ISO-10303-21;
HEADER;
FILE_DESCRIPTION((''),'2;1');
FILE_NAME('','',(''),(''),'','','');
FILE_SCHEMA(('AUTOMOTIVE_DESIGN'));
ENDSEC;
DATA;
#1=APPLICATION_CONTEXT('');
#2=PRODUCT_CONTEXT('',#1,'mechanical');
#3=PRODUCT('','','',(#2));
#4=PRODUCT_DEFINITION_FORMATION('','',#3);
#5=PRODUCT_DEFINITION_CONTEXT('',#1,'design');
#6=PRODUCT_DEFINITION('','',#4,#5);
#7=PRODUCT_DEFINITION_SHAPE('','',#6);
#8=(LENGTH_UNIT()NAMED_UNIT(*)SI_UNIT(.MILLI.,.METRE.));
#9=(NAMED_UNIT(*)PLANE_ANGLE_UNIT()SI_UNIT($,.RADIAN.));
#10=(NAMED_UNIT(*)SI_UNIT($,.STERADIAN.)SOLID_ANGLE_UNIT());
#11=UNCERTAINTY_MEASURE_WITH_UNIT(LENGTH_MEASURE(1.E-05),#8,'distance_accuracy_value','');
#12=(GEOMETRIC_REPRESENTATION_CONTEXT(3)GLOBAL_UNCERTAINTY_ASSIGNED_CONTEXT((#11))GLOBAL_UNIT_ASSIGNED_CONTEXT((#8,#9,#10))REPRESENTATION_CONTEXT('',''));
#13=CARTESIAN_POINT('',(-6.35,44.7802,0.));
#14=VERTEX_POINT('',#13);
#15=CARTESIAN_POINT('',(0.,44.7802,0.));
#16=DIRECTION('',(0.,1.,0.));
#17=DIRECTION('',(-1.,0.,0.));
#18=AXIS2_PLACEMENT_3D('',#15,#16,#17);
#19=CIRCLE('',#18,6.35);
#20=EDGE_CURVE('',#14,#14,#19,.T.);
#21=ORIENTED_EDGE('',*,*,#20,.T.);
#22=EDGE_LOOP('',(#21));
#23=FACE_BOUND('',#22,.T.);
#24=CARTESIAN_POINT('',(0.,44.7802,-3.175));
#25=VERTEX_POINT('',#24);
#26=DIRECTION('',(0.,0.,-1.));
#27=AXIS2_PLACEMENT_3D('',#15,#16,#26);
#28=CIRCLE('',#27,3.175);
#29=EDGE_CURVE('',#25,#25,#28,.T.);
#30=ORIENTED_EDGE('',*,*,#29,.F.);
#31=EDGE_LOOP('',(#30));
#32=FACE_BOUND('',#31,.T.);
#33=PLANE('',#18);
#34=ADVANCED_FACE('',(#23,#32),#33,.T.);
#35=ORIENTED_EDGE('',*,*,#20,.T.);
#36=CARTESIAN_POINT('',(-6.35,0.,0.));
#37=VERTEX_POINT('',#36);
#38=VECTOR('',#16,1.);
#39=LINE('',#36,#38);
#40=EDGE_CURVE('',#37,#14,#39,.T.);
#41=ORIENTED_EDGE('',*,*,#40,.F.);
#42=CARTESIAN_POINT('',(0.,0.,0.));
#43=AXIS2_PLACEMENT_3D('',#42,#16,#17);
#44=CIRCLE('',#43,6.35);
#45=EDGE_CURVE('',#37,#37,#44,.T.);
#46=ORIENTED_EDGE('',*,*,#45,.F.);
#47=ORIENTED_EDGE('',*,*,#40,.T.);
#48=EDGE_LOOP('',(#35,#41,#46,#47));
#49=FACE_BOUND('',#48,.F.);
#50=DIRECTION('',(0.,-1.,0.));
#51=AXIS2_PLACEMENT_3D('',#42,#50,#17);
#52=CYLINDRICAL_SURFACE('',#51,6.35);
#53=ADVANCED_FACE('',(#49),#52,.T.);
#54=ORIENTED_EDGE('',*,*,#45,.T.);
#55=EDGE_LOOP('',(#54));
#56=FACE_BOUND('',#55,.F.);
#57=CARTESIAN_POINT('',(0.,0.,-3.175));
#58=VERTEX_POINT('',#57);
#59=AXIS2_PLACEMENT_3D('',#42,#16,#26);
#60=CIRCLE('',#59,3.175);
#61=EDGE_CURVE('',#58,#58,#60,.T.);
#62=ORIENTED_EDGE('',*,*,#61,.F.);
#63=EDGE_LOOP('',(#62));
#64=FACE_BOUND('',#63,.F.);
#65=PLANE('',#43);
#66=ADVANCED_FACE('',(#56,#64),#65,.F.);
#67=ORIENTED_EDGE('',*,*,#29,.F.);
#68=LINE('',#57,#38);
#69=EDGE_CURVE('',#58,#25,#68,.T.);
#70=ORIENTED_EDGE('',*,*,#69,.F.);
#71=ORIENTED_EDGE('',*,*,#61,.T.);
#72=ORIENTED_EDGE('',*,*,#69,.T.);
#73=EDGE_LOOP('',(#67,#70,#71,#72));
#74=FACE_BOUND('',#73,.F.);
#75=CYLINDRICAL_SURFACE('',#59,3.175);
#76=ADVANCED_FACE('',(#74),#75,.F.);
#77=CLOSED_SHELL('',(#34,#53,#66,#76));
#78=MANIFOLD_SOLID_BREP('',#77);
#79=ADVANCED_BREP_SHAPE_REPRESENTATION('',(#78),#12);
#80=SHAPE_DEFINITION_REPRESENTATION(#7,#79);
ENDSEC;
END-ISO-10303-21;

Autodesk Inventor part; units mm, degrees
ref_plane "YZ Plane" through (0, 0, 0) normal (1, 0, 0) x (0, 1, 0)
ref_plane "XZ Plane" through (0, 0, 0) normal (0, 1, 0) x (-1, 0, 0)
ref_plane "XY Plane" through (0, 0, 0) normal (0, 0, 1) x (1, 0, 0)
sketch "Sketch1" plane through (0, 0, 0) normal (0, 1, 0) x (-1, 0, 0)
  circle A0 centre (0, 0) radius 6.35
  dimension "d0" = 12.7
extrude "Extrusion1" add sketch "Sketch1" along normal blind 44.7802
sketch "Sketch2" plane through (0, 0, 0) normal (0, -1, 0) x (1, 0, 0)
  point P0 (0, 0)
  point P1 (0, 0)
hole "Hole1" at (0, 0, 0) direction (0, 1, 0) diameter 6.35 end through all
properties part number "ELEV_037_SPACER10" material "Aluminum 6061"
